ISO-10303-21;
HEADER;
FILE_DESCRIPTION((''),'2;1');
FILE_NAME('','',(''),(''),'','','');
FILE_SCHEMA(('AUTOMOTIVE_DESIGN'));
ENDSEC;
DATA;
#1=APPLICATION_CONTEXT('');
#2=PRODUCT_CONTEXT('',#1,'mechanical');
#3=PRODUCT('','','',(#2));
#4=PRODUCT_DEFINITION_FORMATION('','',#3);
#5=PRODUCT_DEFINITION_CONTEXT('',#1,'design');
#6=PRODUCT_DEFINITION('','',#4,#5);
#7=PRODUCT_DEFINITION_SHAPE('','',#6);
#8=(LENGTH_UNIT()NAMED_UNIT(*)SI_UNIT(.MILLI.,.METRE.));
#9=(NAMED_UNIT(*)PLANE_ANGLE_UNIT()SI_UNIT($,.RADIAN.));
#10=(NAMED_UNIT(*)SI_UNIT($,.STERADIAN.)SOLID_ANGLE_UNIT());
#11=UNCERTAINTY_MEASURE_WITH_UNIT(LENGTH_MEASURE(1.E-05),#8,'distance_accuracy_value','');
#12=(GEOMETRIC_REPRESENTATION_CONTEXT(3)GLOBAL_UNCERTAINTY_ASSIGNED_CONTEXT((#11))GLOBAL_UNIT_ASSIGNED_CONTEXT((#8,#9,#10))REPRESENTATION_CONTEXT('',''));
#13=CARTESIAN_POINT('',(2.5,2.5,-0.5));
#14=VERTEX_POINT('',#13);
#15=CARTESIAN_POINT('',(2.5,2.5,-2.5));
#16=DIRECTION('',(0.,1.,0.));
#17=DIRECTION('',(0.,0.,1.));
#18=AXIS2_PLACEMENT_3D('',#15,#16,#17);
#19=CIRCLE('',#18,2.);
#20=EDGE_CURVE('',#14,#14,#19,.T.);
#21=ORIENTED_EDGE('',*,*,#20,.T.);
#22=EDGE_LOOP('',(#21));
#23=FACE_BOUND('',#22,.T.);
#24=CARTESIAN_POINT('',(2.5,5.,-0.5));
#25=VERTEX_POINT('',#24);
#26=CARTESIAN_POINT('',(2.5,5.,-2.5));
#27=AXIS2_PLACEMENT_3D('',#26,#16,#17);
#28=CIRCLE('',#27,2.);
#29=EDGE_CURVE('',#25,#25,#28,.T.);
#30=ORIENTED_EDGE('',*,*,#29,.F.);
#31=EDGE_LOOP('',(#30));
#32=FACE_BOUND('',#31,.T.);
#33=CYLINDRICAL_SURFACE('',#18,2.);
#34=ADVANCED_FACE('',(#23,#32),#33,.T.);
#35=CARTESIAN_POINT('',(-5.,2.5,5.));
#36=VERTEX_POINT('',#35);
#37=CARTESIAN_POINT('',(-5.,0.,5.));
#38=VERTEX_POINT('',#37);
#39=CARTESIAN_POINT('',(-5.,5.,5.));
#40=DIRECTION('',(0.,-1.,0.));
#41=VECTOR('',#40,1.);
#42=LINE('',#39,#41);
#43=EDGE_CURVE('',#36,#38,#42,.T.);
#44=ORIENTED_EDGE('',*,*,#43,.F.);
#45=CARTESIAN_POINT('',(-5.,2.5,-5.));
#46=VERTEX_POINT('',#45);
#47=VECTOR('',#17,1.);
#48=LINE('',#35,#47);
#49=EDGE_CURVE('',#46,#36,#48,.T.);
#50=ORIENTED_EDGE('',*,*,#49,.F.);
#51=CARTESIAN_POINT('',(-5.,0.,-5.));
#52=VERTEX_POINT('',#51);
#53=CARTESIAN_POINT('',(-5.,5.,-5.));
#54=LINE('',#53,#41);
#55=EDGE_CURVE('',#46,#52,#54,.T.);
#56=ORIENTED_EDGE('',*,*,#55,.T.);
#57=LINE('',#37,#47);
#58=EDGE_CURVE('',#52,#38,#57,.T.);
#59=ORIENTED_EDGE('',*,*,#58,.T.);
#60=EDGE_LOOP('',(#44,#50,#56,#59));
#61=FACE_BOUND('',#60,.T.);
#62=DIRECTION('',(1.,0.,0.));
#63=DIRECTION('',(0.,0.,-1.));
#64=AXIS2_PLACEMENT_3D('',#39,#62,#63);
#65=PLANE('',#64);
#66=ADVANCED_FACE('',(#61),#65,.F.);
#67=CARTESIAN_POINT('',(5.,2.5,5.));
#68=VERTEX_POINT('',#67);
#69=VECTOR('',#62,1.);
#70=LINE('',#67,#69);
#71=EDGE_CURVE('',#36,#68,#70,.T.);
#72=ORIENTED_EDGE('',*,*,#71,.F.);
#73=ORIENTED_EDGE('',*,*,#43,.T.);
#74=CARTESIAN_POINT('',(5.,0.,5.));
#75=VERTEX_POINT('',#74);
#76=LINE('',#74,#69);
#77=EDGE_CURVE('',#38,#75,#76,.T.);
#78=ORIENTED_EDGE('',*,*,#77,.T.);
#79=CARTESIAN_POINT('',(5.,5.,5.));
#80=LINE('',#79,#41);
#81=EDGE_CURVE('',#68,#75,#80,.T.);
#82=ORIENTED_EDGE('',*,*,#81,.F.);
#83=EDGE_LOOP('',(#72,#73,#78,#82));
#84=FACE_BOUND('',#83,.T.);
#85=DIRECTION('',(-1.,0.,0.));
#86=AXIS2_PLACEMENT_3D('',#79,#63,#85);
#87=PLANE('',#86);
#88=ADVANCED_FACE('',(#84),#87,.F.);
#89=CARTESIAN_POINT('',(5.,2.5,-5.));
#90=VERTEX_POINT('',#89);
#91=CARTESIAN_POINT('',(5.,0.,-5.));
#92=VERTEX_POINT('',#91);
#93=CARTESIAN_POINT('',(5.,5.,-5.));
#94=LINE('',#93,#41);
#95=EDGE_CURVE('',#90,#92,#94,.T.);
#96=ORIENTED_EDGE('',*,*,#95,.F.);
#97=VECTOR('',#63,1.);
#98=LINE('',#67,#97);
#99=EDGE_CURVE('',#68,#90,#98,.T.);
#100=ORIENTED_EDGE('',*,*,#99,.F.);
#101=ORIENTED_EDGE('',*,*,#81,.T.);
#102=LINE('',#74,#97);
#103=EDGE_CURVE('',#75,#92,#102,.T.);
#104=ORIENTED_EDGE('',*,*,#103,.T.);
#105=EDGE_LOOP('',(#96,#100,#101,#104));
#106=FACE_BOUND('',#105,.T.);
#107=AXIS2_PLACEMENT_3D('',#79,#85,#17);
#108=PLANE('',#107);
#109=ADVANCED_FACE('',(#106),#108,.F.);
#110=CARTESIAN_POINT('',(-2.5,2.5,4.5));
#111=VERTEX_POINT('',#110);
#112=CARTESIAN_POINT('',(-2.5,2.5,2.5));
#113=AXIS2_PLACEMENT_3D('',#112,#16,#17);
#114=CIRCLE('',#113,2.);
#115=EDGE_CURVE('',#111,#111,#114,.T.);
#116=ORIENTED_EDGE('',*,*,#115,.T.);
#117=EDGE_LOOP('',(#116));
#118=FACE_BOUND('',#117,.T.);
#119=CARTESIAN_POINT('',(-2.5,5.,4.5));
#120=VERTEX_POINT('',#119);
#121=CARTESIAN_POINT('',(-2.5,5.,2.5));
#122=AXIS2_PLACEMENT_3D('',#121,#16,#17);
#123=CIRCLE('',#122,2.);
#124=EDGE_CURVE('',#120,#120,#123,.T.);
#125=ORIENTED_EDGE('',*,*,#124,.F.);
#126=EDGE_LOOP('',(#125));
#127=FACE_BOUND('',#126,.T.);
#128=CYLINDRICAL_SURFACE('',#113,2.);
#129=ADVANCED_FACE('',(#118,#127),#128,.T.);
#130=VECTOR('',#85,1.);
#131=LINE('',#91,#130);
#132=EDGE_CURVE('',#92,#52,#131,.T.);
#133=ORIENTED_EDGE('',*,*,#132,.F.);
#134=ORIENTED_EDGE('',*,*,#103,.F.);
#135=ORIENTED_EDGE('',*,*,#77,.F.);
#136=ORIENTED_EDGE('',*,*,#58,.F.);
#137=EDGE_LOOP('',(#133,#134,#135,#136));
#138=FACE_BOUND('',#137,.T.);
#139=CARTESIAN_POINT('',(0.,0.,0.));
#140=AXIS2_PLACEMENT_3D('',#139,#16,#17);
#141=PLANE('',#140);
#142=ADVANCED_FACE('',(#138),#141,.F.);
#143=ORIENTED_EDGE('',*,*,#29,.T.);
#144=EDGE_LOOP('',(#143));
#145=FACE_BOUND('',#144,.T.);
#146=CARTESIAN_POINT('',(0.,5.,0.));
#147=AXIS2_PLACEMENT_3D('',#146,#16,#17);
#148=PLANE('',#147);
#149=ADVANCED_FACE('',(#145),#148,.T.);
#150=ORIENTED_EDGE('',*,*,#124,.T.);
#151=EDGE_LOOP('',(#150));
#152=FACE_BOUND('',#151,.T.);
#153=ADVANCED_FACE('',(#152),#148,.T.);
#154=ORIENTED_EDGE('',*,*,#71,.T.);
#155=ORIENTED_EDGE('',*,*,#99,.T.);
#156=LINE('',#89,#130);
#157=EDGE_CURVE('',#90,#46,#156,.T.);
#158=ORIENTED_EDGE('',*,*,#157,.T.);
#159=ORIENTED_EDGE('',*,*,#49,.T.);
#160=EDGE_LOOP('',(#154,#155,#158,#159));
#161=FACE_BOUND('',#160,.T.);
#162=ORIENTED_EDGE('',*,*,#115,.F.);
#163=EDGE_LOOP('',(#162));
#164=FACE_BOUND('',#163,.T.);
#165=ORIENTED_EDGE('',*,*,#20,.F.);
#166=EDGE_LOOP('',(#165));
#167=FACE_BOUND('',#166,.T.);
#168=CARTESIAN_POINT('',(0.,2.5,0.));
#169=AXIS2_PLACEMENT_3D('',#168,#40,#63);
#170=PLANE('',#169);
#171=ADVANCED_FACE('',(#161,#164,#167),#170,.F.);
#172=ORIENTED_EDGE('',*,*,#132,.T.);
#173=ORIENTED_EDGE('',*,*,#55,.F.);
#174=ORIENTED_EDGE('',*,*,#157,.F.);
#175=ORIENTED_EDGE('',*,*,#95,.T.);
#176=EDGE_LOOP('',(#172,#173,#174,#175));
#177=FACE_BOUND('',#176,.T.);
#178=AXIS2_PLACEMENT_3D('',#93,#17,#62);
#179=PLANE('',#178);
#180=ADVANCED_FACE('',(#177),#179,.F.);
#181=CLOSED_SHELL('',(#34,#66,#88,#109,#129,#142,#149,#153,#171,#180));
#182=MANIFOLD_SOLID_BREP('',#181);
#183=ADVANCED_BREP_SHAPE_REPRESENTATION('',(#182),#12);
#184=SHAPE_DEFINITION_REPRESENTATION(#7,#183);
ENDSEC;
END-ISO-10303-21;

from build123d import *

# Parameters (mm, degrees)
SKETCH1_W           = 10
SKETCH1_H           = 10
BOSS_EXTRUDE1_DEPTH = 5
SKETCH2_W           = 10
SKETCH2_H           = 10
SKETCH2_R           = 2
CUT_EXTRUDE1_DEPTH  = 2.5


with BuildPart() as part:
    # Sketch1 → Boss-Extrude1 (new body)
    with BuildSketch(Plane(origin=(0, 0, 0), x_dir=(1, 0, 0), z_dir=(0, 1, 0))):
        Rectangle(SKETCH1_W, SKETCH1_H)
    extrude(amount=BOSS_EXTRUDE1_DEPTH)

    # Sketch2 → Cut-Extrude1 (cut)
    with BuildSketch(Plane(origin=(0, 5, 0), x_dir=(1, 0, 0), z_dir=(0, 1, 0))):
        Rectangle(SKETCH2_W, SKETCH2_H)
        with Locations((-2.5, -2.5)):
            Circle(SKETCH2_R, mode=Mode.SUBTRACT)
        with Locations((2.5, 2.5)):
            Circle(SKETCH2_R, mode=Mode.SUBTRACT)
    extrude(amount=-CUT_EXTRUDE1_DEPTH, mode=Mode.SUBTRACT)


solid = part.part
